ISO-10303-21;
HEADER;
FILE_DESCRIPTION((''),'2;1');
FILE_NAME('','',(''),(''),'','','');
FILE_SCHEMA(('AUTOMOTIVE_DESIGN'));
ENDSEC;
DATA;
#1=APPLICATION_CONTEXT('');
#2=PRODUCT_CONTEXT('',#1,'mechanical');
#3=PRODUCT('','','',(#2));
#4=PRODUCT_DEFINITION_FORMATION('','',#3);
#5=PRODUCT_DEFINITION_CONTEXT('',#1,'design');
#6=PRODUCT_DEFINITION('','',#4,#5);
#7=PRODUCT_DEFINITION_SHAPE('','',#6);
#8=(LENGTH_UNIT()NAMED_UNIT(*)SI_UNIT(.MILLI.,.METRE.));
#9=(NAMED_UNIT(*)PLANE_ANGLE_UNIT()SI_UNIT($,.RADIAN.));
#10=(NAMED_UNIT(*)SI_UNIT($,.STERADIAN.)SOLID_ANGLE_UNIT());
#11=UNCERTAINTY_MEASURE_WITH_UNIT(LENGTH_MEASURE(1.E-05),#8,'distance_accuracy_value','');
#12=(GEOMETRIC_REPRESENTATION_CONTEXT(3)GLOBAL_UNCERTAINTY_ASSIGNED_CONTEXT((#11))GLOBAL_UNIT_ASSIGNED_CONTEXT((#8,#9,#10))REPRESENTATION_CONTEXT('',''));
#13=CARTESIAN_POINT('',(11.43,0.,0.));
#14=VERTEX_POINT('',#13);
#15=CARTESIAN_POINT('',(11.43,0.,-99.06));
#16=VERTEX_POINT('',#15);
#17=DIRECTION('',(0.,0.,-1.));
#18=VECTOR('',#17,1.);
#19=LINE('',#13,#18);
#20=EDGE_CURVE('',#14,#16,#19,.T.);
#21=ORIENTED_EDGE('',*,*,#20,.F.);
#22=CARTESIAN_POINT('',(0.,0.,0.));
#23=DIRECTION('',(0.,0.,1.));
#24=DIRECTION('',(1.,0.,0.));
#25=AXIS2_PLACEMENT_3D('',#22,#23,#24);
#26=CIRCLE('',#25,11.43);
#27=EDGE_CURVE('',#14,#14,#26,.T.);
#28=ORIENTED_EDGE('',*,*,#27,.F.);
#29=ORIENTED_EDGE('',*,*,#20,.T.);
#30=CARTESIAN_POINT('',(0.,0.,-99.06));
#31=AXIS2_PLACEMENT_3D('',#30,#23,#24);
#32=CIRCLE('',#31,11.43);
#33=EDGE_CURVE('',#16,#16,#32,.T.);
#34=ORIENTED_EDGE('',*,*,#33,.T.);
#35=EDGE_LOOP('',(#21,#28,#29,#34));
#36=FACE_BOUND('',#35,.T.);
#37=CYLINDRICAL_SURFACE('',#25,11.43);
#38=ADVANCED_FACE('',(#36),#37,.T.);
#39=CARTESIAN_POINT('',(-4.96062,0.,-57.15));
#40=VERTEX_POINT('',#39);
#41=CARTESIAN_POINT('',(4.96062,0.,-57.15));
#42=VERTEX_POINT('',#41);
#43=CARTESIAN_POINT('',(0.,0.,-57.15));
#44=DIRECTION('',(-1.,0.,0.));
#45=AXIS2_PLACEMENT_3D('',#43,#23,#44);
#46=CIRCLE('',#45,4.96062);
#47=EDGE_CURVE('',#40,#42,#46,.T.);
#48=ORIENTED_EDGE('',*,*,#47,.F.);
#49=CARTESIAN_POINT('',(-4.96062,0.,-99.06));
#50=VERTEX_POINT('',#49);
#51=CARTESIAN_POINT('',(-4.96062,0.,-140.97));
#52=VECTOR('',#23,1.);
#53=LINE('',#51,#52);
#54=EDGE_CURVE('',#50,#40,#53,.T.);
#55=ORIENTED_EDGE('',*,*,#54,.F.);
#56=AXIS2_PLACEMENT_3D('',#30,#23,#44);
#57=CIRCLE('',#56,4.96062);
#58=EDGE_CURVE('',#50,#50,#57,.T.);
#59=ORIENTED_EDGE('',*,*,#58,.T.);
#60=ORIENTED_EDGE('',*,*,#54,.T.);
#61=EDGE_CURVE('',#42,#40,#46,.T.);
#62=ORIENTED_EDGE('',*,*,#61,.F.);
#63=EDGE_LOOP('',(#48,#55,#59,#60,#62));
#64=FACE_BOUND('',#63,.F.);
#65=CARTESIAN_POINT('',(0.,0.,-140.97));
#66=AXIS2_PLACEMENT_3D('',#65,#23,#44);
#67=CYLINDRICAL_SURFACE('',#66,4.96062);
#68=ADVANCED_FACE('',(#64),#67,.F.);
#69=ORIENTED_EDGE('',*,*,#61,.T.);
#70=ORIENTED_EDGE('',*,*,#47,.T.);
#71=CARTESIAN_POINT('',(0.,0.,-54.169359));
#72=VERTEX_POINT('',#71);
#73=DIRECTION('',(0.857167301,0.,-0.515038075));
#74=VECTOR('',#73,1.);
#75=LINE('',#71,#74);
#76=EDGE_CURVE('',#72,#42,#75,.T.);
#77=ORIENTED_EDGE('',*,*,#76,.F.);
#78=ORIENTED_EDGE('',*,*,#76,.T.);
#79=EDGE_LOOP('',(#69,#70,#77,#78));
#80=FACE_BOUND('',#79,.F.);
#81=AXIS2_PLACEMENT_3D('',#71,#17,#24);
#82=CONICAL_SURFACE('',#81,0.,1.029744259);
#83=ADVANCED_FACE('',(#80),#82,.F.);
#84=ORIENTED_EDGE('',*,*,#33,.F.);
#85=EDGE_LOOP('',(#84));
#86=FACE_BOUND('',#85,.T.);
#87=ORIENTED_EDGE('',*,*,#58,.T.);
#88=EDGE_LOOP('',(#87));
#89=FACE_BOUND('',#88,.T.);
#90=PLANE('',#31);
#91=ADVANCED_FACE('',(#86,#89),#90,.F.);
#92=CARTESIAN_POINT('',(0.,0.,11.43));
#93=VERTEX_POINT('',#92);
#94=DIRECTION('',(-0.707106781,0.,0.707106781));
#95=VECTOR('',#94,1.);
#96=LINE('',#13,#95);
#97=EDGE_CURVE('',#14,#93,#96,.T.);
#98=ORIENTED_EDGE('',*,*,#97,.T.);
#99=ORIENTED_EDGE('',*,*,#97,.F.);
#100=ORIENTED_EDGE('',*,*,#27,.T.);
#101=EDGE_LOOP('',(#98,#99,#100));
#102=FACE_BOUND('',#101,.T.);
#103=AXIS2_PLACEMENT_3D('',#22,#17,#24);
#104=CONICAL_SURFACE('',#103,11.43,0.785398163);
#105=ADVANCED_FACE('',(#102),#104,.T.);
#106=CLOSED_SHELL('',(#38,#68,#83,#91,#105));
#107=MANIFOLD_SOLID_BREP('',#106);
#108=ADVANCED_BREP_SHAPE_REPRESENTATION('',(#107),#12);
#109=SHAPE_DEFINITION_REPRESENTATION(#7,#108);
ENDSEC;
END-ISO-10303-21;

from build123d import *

# Parameters (mm, degrees)
F2_DEPTH = 99.06
F4_D     = 9.92124
F4_DEPTH = 41.91
F4_TIP   = 2.980641204


with BuildPart() as f1:
    # F0 (on Front) → F1 (revolve)
    with BuildSketch(Plane.XZ):
        Polygon((0, 11.43), (0, 0), (11.43, 0), align=None)
    revolve(axis=Axis((0, 0, 5.715), (0, 0, 1)))

    # F2 (add): a face of the model
    f2_faces = [f1.faces().sort_by_distance(p)[0] for p in [
        (0, 0, 0),
    ]]
    extrude(f2_faces, amount=F2_DEPTH)

    # F4
    with Locations(Plane(origin=(0, 0, -99.06), x_dir=(1, 0, 0), z_dir=(0, 0, -1))):
        with Locations((0, 0)):
            Hole(F4_D / 2, depth=F4_DEPTH)
            with Locations((0, 0, -(F4_DEPTH + F4_TIP / 2))):  # 118° drill point
                Cone(0, F4_D / 2, F4_TIP, mode=Mode.SUBTRACT)


solid = f1.part
